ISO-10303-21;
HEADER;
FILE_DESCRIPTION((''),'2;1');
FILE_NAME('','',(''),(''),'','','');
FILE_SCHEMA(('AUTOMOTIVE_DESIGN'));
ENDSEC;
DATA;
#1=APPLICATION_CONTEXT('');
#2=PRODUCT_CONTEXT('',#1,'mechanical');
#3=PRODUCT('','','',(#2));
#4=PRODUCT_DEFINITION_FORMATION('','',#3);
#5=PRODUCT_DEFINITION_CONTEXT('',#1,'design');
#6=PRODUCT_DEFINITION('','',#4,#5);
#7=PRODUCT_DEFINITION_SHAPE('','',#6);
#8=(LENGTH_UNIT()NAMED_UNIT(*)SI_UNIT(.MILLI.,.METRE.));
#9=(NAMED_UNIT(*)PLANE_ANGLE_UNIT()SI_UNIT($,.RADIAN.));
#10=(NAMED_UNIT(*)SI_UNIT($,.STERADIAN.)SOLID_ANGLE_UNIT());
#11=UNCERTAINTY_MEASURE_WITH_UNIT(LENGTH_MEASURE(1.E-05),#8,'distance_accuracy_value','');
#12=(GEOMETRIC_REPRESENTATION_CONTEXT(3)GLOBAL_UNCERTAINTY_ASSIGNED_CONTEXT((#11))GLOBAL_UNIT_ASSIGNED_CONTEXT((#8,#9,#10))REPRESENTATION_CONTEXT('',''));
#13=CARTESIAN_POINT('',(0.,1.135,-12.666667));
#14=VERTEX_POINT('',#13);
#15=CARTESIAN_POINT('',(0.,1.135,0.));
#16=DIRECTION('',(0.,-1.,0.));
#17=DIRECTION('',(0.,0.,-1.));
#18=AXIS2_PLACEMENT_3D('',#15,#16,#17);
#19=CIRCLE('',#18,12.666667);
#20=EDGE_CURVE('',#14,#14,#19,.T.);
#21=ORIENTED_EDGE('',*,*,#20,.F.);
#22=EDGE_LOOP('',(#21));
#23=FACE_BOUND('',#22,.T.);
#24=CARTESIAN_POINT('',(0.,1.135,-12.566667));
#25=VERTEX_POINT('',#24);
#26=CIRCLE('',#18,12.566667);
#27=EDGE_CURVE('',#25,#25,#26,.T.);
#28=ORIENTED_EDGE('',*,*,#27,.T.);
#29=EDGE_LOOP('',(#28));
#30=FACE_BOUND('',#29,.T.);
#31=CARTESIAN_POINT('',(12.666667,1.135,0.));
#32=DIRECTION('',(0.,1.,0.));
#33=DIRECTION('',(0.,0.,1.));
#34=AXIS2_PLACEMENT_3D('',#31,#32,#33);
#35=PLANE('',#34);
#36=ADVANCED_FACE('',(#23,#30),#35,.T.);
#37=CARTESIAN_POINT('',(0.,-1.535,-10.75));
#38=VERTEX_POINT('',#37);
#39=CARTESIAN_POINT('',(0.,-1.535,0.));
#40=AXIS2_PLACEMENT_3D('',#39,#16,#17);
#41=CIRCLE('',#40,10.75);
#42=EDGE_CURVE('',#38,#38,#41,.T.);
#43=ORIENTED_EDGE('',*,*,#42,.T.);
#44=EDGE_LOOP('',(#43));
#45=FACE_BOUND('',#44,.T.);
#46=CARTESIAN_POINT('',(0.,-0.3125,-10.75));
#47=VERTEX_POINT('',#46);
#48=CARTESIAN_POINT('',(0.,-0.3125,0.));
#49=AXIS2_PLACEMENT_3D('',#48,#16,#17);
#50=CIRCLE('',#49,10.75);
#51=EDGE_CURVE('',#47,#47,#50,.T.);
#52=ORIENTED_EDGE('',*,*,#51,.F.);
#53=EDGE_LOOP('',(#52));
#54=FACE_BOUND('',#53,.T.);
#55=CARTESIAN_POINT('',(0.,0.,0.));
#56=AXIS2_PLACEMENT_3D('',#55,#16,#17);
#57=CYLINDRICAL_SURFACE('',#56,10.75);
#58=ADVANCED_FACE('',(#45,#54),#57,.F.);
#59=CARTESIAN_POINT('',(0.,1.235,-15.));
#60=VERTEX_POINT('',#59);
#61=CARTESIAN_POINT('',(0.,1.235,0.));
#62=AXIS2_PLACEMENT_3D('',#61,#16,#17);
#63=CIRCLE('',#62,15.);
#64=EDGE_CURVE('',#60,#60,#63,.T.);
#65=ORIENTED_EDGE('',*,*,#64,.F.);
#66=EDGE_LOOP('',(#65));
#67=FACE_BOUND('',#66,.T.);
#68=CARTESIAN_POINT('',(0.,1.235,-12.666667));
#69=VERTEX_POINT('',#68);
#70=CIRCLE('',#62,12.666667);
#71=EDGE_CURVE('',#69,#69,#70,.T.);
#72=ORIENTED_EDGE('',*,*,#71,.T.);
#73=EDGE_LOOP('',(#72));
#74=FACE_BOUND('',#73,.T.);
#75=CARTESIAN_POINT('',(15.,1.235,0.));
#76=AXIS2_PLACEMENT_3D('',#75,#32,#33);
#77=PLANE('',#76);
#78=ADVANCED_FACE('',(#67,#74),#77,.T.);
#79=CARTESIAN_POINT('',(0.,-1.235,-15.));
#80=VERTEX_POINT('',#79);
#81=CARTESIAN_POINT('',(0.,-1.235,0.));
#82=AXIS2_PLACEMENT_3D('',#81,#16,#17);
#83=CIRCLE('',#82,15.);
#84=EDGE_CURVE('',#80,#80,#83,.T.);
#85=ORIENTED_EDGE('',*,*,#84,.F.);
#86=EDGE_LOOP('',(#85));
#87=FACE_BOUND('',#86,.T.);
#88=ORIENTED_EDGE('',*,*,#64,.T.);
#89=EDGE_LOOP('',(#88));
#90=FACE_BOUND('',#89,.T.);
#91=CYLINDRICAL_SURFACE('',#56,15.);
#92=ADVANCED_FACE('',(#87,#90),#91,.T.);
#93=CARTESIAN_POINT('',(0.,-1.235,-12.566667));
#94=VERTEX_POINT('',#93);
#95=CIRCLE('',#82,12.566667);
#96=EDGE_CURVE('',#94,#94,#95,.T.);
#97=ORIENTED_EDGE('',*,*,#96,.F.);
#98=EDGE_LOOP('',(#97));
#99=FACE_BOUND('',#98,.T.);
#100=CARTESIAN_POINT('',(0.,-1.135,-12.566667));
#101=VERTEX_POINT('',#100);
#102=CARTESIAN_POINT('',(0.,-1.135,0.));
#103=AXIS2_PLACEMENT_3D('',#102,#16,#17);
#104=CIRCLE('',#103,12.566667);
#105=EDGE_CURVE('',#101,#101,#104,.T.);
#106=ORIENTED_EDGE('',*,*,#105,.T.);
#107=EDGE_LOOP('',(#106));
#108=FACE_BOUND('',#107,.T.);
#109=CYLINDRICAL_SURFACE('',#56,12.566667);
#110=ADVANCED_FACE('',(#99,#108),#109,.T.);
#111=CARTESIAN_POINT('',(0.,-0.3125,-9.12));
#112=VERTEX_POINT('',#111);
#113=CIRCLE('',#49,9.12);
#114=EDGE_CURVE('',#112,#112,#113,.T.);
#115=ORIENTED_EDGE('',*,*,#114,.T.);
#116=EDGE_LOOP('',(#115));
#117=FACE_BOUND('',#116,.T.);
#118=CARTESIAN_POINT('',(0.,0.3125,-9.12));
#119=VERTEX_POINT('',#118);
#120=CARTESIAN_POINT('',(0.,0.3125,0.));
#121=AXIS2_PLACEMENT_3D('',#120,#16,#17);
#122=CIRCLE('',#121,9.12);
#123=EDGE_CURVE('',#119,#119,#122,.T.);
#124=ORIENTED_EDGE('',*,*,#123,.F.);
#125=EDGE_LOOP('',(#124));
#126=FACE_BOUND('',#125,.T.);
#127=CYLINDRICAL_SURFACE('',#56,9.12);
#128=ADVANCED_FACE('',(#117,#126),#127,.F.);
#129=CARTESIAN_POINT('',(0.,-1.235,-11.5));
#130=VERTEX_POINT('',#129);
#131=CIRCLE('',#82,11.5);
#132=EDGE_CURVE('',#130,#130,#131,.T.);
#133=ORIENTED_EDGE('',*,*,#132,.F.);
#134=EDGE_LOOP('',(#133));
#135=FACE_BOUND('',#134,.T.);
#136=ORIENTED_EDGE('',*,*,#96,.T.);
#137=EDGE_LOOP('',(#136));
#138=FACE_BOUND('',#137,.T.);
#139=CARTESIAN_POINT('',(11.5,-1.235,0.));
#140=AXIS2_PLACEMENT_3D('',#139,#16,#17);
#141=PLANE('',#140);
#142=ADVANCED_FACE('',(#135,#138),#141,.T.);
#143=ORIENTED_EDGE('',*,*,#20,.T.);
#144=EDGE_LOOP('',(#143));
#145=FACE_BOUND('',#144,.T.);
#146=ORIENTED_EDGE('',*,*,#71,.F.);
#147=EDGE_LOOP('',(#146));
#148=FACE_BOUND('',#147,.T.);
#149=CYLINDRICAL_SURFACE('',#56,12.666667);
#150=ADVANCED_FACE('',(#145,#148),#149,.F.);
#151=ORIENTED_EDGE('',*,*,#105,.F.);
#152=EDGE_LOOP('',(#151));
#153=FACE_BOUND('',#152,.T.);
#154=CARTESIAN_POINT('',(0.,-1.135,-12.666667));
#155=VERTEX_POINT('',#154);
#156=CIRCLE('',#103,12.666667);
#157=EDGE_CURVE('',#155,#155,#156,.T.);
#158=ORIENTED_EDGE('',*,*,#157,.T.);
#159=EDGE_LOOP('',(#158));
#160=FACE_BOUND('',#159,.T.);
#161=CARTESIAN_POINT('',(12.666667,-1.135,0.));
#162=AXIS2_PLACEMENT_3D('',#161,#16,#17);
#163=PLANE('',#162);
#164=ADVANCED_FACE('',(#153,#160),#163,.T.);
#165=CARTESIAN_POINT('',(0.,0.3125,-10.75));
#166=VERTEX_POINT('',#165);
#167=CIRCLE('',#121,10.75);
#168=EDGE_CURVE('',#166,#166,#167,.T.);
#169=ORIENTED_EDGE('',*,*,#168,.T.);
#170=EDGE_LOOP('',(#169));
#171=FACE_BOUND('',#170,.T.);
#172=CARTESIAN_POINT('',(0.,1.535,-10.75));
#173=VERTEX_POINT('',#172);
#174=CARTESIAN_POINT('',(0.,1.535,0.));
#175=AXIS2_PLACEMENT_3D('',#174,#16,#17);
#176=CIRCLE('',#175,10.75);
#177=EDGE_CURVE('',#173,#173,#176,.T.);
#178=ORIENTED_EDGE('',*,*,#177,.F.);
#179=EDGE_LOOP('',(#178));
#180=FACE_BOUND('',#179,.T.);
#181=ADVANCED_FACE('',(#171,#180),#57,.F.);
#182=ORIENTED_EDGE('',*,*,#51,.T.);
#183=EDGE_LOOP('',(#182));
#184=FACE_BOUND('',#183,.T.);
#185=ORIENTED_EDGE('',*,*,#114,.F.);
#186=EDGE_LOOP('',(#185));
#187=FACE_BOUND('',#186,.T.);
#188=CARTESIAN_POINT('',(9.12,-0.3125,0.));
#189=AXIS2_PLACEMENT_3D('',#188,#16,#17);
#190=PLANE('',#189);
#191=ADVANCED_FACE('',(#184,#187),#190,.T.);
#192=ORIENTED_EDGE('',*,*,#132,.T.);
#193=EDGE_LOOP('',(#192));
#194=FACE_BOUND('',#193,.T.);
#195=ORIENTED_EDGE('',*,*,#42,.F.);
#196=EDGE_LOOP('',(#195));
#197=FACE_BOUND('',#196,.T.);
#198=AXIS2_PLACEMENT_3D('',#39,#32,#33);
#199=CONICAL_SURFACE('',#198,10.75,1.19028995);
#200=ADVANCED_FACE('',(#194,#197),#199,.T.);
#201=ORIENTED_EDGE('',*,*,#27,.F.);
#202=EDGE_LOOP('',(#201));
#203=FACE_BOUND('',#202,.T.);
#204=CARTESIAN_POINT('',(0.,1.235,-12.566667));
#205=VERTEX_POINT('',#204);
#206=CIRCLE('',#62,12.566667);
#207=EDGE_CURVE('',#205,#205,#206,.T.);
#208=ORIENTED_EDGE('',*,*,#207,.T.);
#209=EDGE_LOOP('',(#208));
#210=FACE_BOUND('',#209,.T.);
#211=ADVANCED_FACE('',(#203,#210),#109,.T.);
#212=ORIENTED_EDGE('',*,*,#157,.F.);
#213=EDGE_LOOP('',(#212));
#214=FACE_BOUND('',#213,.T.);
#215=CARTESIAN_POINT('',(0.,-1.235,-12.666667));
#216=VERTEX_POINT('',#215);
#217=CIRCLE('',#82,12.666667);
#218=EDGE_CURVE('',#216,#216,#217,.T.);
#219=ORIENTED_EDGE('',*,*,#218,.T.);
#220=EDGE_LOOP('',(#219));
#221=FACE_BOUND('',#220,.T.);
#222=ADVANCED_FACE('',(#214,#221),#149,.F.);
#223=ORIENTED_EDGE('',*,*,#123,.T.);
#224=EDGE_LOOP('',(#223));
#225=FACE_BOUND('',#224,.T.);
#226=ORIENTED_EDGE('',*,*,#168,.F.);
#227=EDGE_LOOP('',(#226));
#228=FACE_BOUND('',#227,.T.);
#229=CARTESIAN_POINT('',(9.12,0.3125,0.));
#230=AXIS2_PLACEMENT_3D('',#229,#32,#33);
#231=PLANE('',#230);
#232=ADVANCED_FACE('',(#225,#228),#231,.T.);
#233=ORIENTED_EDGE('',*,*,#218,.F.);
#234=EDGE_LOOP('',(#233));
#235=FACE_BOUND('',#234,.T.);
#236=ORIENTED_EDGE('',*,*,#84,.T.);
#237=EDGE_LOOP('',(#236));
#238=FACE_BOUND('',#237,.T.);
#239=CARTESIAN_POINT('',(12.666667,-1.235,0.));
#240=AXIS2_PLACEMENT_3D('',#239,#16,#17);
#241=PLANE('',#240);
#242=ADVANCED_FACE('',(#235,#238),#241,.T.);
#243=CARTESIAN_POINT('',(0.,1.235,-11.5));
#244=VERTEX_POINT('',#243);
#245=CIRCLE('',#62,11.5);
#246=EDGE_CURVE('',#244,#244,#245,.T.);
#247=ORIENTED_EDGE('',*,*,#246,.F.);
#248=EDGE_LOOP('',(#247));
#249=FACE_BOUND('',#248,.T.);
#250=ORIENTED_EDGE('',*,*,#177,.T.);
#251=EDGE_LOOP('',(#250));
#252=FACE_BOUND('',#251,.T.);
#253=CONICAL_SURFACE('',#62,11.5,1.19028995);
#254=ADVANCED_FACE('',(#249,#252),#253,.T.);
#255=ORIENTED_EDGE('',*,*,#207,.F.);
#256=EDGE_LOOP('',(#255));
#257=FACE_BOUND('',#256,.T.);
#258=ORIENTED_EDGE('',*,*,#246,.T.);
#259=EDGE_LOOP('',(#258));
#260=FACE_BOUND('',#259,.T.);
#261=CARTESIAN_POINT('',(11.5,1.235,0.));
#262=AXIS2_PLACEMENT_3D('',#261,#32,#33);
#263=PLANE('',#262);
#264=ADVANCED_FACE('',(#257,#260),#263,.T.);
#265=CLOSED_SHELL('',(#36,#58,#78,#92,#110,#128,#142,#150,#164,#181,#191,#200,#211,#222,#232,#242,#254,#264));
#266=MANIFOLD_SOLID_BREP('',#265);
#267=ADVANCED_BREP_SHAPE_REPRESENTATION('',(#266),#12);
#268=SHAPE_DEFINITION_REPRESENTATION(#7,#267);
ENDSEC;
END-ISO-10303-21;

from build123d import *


with BuildPart() as part:
    # Sketch1 → Revolve1 (revolve)
    with BuildSketch(Plane.XY):
        Polygon((9.12, -0.3125), (9.12, 0.3125), (10.75, 0.3125), (10.75, 1.535), (11.5, 1.235), (12.566666667, 1.235), (12.566666667, 1.135), (12.666666667, 1.135), (12.666666667, 1.235), (15, 1.235), (15, -1.235), (12.666666667, -1.235), (12.666666667, -1.135), (12.566666667, -1.135), (12.566666667, -1.235), (11.5, -1.235), (10.75, -1.535), (10.75, -0.3125), align=None)
    revolve(axis=Axis((0, 0, 0), (0, 1, 0)))


solid = part.part
